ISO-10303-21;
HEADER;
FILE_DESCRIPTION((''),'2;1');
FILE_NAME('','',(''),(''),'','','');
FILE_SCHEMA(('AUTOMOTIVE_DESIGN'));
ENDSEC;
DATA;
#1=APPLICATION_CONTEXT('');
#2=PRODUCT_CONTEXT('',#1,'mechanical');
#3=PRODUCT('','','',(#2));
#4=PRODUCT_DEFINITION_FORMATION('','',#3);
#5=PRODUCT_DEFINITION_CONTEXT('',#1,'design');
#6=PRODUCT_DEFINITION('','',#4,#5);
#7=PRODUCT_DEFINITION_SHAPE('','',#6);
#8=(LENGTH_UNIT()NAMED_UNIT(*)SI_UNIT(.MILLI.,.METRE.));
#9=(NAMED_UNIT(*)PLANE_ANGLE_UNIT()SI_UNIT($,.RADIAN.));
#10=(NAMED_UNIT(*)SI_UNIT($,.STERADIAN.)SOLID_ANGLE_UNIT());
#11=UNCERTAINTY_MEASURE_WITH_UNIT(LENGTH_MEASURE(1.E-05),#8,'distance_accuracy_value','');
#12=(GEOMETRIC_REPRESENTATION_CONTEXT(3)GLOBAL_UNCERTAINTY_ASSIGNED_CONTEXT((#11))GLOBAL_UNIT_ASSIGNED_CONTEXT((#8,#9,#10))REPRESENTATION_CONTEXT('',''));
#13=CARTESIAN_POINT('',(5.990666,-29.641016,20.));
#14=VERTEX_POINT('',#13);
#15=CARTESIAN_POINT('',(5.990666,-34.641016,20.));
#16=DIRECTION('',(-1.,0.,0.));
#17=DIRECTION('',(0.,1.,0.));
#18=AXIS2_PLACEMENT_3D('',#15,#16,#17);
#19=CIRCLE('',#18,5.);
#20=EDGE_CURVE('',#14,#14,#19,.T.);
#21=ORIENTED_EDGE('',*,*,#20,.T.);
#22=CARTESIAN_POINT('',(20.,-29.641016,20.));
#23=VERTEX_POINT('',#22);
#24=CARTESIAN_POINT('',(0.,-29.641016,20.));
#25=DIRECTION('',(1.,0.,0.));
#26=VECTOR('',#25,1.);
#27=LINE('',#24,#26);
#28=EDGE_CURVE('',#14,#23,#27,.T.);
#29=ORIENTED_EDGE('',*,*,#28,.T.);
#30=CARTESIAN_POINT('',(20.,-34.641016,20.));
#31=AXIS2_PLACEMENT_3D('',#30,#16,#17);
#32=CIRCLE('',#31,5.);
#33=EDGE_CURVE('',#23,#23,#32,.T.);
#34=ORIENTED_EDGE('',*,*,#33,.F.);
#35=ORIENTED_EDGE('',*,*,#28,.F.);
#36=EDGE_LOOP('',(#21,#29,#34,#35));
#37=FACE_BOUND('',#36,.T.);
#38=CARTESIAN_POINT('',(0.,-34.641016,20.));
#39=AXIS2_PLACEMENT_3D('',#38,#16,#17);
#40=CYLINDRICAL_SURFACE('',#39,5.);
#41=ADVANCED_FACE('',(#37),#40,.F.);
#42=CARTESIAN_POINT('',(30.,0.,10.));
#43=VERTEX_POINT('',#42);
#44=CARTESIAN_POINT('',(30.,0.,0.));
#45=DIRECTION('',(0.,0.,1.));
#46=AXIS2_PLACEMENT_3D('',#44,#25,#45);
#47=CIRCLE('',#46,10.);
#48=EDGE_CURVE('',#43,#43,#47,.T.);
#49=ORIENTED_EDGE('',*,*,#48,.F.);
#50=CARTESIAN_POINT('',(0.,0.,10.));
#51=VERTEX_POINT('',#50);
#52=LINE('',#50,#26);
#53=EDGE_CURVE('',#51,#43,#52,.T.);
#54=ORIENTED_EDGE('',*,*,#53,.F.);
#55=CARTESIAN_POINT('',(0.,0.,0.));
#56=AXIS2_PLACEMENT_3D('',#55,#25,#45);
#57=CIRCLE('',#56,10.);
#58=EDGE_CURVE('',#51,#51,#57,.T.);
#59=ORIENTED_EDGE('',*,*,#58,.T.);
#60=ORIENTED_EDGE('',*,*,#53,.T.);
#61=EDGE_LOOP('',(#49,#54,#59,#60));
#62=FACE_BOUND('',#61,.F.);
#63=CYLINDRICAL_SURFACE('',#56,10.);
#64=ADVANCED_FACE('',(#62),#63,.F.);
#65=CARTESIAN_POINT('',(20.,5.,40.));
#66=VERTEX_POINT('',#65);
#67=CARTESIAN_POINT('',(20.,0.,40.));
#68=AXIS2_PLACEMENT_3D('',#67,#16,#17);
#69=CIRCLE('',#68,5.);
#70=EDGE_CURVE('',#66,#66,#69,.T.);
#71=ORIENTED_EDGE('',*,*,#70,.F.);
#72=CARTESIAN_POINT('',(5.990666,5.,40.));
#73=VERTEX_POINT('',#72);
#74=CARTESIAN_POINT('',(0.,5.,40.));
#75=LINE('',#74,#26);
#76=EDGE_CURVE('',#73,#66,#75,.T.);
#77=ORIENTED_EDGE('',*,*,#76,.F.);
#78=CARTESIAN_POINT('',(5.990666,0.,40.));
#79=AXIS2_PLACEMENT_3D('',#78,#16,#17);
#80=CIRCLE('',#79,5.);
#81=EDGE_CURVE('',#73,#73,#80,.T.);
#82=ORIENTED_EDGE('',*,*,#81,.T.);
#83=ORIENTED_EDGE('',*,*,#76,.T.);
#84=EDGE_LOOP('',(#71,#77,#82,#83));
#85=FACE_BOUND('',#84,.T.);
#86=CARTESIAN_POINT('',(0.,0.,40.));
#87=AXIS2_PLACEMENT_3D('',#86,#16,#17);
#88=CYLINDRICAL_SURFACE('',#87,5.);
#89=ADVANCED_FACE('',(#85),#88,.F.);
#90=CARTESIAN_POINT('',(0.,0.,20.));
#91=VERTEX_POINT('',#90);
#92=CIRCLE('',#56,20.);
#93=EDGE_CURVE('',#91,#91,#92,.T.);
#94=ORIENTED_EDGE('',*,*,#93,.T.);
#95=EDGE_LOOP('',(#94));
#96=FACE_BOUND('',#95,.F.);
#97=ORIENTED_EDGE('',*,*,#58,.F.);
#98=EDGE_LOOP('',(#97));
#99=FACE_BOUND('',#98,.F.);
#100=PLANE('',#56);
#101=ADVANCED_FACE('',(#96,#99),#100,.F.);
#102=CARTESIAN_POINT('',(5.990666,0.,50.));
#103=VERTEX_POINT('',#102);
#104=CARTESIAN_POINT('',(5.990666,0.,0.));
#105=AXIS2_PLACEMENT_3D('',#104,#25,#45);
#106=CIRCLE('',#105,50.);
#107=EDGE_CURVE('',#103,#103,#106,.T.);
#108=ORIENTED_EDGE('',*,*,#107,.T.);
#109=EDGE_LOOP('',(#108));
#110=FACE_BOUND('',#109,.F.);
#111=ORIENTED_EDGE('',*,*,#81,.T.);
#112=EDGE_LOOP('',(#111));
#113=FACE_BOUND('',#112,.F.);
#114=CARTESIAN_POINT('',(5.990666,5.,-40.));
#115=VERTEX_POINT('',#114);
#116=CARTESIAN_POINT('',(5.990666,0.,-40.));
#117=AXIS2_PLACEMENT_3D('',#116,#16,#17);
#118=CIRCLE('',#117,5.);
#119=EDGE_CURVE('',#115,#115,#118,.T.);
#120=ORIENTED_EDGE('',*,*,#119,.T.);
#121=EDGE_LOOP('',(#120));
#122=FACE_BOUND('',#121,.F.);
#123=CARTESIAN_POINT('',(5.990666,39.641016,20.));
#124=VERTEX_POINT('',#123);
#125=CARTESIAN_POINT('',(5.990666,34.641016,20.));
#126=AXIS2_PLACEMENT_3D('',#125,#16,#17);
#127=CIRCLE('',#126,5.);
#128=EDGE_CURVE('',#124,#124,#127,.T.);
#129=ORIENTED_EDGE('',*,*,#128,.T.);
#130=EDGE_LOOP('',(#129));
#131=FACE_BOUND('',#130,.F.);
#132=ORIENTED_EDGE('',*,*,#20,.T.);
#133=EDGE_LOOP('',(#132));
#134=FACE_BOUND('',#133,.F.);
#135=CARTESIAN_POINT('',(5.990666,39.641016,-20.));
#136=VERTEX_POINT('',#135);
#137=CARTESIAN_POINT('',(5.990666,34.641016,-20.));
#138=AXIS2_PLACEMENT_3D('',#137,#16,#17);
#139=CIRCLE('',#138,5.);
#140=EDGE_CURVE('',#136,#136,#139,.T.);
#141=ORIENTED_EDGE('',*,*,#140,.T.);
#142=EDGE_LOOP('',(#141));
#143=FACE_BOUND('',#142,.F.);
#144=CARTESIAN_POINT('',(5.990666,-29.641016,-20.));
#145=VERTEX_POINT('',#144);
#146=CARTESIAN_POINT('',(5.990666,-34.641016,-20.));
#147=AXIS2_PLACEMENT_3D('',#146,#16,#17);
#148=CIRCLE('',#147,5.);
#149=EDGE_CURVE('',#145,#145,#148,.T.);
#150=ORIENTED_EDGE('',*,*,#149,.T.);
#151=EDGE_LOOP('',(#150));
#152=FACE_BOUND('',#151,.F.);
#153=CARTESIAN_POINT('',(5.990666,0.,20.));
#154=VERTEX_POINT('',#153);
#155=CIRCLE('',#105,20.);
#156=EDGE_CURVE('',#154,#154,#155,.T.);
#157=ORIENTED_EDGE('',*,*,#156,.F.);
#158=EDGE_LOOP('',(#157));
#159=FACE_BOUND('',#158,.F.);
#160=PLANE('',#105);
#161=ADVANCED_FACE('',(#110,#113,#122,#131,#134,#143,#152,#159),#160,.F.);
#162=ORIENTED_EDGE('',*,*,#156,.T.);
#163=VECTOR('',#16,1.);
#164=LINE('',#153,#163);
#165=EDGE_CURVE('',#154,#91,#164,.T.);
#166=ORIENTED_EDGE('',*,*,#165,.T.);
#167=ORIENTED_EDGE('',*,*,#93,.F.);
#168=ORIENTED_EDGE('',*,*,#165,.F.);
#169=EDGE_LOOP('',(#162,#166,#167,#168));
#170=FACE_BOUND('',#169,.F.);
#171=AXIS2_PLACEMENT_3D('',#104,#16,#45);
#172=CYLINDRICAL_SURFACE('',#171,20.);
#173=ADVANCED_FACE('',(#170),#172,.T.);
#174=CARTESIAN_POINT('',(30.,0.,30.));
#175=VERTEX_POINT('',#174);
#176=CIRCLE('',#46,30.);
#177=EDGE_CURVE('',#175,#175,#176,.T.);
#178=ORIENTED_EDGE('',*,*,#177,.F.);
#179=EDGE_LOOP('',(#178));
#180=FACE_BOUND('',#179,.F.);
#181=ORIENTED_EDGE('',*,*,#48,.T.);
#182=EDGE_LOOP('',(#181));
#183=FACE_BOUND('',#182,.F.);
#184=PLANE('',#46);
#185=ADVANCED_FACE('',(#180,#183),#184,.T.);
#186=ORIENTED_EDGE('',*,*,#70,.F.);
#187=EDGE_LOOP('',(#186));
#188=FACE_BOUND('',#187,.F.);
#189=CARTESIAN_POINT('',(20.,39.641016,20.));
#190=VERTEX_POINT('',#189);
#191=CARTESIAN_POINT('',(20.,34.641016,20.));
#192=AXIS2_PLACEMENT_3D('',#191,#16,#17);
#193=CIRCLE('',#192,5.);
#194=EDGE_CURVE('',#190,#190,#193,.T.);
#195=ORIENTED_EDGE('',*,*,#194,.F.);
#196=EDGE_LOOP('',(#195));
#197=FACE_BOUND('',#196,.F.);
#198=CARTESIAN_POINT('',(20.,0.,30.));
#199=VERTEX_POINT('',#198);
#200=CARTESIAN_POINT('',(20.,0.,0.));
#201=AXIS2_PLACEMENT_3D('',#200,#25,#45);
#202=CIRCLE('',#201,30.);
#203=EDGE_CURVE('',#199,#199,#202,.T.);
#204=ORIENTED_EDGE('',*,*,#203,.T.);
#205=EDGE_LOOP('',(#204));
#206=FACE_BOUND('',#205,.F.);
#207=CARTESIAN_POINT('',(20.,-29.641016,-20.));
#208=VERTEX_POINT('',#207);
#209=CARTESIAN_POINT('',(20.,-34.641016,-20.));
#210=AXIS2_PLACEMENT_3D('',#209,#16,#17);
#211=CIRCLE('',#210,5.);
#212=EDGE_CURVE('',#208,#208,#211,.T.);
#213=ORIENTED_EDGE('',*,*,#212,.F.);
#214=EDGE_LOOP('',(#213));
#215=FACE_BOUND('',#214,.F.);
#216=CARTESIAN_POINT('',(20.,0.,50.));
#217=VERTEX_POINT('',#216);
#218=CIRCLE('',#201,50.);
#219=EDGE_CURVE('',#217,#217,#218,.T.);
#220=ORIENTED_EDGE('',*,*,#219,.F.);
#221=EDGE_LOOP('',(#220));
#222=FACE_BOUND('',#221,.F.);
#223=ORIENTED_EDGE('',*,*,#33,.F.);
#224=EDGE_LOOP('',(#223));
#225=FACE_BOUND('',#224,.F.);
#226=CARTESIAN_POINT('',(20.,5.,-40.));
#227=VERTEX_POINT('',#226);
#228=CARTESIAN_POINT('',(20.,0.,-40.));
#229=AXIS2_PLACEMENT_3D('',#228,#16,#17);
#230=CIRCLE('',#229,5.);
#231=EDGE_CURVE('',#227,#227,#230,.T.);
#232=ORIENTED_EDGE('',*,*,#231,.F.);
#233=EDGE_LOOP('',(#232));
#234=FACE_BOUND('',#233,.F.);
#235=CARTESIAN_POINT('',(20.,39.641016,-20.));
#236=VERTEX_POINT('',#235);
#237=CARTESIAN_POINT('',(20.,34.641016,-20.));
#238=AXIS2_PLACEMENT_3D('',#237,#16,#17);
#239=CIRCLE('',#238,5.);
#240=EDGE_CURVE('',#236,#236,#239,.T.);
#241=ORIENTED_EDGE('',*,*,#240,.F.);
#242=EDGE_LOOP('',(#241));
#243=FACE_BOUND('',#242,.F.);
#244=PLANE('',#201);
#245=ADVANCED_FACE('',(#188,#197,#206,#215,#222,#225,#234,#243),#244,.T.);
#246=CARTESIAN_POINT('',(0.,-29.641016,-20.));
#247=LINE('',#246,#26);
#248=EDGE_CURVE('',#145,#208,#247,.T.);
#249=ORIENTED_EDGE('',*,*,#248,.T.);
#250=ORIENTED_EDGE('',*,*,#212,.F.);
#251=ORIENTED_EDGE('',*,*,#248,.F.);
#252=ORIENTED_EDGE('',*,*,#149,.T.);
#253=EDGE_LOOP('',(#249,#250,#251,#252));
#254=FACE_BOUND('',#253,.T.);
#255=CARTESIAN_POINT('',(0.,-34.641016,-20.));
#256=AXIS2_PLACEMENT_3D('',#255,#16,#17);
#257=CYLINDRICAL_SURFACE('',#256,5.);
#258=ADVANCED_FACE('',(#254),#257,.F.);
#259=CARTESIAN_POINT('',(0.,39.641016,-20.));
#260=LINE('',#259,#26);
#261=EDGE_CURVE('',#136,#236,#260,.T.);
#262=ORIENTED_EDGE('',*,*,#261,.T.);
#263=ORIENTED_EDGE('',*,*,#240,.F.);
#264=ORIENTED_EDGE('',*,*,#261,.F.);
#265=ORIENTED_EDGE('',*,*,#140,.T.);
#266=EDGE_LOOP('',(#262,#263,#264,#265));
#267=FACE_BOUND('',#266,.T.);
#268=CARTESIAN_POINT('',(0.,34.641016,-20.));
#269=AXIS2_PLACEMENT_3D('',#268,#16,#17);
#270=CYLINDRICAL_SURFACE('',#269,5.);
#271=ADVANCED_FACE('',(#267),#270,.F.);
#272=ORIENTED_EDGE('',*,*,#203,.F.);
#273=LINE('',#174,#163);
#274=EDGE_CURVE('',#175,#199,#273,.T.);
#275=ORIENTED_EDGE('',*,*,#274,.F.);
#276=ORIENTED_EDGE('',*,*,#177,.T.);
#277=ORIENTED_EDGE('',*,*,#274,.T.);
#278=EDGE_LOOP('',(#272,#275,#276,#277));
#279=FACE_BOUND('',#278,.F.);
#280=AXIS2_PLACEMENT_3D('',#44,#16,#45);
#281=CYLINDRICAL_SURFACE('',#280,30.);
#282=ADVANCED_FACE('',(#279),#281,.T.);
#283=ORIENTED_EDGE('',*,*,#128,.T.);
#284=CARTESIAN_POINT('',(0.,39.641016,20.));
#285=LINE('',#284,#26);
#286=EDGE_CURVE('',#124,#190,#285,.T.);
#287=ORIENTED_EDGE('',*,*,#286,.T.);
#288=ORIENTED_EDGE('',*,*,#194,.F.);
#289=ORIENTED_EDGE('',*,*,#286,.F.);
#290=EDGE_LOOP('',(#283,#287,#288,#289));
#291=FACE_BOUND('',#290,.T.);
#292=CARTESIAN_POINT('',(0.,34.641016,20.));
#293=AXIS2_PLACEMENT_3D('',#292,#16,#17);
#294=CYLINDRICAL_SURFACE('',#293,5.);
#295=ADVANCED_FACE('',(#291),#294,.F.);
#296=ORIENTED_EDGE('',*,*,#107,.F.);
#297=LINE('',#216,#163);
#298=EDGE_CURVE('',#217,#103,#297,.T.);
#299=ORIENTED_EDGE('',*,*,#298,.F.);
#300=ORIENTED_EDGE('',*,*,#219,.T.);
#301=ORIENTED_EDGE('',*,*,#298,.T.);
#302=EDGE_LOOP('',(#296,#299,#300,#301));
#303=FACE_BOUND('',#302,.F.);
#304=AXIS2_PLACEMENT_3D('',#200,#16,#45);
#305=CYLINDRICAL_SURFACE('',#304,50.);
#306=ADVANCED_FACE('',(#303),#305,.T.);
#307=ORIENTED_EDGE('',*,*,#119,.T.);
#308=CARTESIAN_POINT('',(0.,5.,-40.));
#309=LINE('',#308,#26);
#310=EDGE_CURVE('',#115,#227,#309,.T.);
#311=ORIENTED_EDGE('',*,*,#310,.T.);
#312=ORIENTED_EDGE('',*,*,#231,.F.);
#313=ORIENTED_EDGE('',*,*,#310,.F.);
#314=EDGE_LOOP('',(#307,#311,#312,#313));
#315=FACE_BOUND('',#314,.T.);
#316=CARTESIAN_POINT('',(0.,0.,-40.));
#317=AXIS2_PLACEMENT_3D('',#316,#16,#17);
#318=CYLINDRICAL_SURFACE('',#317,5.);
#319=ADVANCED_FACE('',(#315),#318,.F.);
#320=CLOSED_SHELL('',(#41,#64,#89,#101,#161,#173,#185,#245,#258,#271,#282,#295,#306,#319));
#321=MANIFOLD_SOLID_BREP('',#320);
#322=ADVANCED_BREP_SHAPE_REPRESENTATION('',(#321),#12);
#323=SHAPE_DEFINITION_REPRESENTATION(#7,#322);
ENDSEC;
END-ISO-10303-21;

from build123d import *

# Parameters (mm, degrees)
F2_R     = 5
F3_DEPTH = 30.001


with BuildPart() as f1:
    # F0 (on Front) → F1 (revolve)
    with BuildSketch(Plane.XZ):
        Polygon((0, 20), (0, 10), (30, 10), (30, 30), (20, 30), (20, 50), (5.990666, 50), (5.990666, 20), align=None)
    revolve(axis=Axis((3.812242, 0, 0), (1, 0, 0)))

    # F2 (on Right) → F3 (cut, through all)
    with BuildSketch(Plane.YZ):
        with Locations((0, 40)):
            Circle(F2_R)
        with Locations((-34.641016, 20)):
            Circle(F2_R)
        with Locations((-34.641016, -20)):
            Circle(F2_R)
        with Locations((0, -40)):
            Circle(F2_R)
        with Locations((34.641016, -20)):
            Circle(F2_R)
        with Locations((34.641016, 20)):
            Circle(F2_R)
    extrude(amount=F3_DEPTH, mode=Mode.SUBTRACT)


solid = f1.part
